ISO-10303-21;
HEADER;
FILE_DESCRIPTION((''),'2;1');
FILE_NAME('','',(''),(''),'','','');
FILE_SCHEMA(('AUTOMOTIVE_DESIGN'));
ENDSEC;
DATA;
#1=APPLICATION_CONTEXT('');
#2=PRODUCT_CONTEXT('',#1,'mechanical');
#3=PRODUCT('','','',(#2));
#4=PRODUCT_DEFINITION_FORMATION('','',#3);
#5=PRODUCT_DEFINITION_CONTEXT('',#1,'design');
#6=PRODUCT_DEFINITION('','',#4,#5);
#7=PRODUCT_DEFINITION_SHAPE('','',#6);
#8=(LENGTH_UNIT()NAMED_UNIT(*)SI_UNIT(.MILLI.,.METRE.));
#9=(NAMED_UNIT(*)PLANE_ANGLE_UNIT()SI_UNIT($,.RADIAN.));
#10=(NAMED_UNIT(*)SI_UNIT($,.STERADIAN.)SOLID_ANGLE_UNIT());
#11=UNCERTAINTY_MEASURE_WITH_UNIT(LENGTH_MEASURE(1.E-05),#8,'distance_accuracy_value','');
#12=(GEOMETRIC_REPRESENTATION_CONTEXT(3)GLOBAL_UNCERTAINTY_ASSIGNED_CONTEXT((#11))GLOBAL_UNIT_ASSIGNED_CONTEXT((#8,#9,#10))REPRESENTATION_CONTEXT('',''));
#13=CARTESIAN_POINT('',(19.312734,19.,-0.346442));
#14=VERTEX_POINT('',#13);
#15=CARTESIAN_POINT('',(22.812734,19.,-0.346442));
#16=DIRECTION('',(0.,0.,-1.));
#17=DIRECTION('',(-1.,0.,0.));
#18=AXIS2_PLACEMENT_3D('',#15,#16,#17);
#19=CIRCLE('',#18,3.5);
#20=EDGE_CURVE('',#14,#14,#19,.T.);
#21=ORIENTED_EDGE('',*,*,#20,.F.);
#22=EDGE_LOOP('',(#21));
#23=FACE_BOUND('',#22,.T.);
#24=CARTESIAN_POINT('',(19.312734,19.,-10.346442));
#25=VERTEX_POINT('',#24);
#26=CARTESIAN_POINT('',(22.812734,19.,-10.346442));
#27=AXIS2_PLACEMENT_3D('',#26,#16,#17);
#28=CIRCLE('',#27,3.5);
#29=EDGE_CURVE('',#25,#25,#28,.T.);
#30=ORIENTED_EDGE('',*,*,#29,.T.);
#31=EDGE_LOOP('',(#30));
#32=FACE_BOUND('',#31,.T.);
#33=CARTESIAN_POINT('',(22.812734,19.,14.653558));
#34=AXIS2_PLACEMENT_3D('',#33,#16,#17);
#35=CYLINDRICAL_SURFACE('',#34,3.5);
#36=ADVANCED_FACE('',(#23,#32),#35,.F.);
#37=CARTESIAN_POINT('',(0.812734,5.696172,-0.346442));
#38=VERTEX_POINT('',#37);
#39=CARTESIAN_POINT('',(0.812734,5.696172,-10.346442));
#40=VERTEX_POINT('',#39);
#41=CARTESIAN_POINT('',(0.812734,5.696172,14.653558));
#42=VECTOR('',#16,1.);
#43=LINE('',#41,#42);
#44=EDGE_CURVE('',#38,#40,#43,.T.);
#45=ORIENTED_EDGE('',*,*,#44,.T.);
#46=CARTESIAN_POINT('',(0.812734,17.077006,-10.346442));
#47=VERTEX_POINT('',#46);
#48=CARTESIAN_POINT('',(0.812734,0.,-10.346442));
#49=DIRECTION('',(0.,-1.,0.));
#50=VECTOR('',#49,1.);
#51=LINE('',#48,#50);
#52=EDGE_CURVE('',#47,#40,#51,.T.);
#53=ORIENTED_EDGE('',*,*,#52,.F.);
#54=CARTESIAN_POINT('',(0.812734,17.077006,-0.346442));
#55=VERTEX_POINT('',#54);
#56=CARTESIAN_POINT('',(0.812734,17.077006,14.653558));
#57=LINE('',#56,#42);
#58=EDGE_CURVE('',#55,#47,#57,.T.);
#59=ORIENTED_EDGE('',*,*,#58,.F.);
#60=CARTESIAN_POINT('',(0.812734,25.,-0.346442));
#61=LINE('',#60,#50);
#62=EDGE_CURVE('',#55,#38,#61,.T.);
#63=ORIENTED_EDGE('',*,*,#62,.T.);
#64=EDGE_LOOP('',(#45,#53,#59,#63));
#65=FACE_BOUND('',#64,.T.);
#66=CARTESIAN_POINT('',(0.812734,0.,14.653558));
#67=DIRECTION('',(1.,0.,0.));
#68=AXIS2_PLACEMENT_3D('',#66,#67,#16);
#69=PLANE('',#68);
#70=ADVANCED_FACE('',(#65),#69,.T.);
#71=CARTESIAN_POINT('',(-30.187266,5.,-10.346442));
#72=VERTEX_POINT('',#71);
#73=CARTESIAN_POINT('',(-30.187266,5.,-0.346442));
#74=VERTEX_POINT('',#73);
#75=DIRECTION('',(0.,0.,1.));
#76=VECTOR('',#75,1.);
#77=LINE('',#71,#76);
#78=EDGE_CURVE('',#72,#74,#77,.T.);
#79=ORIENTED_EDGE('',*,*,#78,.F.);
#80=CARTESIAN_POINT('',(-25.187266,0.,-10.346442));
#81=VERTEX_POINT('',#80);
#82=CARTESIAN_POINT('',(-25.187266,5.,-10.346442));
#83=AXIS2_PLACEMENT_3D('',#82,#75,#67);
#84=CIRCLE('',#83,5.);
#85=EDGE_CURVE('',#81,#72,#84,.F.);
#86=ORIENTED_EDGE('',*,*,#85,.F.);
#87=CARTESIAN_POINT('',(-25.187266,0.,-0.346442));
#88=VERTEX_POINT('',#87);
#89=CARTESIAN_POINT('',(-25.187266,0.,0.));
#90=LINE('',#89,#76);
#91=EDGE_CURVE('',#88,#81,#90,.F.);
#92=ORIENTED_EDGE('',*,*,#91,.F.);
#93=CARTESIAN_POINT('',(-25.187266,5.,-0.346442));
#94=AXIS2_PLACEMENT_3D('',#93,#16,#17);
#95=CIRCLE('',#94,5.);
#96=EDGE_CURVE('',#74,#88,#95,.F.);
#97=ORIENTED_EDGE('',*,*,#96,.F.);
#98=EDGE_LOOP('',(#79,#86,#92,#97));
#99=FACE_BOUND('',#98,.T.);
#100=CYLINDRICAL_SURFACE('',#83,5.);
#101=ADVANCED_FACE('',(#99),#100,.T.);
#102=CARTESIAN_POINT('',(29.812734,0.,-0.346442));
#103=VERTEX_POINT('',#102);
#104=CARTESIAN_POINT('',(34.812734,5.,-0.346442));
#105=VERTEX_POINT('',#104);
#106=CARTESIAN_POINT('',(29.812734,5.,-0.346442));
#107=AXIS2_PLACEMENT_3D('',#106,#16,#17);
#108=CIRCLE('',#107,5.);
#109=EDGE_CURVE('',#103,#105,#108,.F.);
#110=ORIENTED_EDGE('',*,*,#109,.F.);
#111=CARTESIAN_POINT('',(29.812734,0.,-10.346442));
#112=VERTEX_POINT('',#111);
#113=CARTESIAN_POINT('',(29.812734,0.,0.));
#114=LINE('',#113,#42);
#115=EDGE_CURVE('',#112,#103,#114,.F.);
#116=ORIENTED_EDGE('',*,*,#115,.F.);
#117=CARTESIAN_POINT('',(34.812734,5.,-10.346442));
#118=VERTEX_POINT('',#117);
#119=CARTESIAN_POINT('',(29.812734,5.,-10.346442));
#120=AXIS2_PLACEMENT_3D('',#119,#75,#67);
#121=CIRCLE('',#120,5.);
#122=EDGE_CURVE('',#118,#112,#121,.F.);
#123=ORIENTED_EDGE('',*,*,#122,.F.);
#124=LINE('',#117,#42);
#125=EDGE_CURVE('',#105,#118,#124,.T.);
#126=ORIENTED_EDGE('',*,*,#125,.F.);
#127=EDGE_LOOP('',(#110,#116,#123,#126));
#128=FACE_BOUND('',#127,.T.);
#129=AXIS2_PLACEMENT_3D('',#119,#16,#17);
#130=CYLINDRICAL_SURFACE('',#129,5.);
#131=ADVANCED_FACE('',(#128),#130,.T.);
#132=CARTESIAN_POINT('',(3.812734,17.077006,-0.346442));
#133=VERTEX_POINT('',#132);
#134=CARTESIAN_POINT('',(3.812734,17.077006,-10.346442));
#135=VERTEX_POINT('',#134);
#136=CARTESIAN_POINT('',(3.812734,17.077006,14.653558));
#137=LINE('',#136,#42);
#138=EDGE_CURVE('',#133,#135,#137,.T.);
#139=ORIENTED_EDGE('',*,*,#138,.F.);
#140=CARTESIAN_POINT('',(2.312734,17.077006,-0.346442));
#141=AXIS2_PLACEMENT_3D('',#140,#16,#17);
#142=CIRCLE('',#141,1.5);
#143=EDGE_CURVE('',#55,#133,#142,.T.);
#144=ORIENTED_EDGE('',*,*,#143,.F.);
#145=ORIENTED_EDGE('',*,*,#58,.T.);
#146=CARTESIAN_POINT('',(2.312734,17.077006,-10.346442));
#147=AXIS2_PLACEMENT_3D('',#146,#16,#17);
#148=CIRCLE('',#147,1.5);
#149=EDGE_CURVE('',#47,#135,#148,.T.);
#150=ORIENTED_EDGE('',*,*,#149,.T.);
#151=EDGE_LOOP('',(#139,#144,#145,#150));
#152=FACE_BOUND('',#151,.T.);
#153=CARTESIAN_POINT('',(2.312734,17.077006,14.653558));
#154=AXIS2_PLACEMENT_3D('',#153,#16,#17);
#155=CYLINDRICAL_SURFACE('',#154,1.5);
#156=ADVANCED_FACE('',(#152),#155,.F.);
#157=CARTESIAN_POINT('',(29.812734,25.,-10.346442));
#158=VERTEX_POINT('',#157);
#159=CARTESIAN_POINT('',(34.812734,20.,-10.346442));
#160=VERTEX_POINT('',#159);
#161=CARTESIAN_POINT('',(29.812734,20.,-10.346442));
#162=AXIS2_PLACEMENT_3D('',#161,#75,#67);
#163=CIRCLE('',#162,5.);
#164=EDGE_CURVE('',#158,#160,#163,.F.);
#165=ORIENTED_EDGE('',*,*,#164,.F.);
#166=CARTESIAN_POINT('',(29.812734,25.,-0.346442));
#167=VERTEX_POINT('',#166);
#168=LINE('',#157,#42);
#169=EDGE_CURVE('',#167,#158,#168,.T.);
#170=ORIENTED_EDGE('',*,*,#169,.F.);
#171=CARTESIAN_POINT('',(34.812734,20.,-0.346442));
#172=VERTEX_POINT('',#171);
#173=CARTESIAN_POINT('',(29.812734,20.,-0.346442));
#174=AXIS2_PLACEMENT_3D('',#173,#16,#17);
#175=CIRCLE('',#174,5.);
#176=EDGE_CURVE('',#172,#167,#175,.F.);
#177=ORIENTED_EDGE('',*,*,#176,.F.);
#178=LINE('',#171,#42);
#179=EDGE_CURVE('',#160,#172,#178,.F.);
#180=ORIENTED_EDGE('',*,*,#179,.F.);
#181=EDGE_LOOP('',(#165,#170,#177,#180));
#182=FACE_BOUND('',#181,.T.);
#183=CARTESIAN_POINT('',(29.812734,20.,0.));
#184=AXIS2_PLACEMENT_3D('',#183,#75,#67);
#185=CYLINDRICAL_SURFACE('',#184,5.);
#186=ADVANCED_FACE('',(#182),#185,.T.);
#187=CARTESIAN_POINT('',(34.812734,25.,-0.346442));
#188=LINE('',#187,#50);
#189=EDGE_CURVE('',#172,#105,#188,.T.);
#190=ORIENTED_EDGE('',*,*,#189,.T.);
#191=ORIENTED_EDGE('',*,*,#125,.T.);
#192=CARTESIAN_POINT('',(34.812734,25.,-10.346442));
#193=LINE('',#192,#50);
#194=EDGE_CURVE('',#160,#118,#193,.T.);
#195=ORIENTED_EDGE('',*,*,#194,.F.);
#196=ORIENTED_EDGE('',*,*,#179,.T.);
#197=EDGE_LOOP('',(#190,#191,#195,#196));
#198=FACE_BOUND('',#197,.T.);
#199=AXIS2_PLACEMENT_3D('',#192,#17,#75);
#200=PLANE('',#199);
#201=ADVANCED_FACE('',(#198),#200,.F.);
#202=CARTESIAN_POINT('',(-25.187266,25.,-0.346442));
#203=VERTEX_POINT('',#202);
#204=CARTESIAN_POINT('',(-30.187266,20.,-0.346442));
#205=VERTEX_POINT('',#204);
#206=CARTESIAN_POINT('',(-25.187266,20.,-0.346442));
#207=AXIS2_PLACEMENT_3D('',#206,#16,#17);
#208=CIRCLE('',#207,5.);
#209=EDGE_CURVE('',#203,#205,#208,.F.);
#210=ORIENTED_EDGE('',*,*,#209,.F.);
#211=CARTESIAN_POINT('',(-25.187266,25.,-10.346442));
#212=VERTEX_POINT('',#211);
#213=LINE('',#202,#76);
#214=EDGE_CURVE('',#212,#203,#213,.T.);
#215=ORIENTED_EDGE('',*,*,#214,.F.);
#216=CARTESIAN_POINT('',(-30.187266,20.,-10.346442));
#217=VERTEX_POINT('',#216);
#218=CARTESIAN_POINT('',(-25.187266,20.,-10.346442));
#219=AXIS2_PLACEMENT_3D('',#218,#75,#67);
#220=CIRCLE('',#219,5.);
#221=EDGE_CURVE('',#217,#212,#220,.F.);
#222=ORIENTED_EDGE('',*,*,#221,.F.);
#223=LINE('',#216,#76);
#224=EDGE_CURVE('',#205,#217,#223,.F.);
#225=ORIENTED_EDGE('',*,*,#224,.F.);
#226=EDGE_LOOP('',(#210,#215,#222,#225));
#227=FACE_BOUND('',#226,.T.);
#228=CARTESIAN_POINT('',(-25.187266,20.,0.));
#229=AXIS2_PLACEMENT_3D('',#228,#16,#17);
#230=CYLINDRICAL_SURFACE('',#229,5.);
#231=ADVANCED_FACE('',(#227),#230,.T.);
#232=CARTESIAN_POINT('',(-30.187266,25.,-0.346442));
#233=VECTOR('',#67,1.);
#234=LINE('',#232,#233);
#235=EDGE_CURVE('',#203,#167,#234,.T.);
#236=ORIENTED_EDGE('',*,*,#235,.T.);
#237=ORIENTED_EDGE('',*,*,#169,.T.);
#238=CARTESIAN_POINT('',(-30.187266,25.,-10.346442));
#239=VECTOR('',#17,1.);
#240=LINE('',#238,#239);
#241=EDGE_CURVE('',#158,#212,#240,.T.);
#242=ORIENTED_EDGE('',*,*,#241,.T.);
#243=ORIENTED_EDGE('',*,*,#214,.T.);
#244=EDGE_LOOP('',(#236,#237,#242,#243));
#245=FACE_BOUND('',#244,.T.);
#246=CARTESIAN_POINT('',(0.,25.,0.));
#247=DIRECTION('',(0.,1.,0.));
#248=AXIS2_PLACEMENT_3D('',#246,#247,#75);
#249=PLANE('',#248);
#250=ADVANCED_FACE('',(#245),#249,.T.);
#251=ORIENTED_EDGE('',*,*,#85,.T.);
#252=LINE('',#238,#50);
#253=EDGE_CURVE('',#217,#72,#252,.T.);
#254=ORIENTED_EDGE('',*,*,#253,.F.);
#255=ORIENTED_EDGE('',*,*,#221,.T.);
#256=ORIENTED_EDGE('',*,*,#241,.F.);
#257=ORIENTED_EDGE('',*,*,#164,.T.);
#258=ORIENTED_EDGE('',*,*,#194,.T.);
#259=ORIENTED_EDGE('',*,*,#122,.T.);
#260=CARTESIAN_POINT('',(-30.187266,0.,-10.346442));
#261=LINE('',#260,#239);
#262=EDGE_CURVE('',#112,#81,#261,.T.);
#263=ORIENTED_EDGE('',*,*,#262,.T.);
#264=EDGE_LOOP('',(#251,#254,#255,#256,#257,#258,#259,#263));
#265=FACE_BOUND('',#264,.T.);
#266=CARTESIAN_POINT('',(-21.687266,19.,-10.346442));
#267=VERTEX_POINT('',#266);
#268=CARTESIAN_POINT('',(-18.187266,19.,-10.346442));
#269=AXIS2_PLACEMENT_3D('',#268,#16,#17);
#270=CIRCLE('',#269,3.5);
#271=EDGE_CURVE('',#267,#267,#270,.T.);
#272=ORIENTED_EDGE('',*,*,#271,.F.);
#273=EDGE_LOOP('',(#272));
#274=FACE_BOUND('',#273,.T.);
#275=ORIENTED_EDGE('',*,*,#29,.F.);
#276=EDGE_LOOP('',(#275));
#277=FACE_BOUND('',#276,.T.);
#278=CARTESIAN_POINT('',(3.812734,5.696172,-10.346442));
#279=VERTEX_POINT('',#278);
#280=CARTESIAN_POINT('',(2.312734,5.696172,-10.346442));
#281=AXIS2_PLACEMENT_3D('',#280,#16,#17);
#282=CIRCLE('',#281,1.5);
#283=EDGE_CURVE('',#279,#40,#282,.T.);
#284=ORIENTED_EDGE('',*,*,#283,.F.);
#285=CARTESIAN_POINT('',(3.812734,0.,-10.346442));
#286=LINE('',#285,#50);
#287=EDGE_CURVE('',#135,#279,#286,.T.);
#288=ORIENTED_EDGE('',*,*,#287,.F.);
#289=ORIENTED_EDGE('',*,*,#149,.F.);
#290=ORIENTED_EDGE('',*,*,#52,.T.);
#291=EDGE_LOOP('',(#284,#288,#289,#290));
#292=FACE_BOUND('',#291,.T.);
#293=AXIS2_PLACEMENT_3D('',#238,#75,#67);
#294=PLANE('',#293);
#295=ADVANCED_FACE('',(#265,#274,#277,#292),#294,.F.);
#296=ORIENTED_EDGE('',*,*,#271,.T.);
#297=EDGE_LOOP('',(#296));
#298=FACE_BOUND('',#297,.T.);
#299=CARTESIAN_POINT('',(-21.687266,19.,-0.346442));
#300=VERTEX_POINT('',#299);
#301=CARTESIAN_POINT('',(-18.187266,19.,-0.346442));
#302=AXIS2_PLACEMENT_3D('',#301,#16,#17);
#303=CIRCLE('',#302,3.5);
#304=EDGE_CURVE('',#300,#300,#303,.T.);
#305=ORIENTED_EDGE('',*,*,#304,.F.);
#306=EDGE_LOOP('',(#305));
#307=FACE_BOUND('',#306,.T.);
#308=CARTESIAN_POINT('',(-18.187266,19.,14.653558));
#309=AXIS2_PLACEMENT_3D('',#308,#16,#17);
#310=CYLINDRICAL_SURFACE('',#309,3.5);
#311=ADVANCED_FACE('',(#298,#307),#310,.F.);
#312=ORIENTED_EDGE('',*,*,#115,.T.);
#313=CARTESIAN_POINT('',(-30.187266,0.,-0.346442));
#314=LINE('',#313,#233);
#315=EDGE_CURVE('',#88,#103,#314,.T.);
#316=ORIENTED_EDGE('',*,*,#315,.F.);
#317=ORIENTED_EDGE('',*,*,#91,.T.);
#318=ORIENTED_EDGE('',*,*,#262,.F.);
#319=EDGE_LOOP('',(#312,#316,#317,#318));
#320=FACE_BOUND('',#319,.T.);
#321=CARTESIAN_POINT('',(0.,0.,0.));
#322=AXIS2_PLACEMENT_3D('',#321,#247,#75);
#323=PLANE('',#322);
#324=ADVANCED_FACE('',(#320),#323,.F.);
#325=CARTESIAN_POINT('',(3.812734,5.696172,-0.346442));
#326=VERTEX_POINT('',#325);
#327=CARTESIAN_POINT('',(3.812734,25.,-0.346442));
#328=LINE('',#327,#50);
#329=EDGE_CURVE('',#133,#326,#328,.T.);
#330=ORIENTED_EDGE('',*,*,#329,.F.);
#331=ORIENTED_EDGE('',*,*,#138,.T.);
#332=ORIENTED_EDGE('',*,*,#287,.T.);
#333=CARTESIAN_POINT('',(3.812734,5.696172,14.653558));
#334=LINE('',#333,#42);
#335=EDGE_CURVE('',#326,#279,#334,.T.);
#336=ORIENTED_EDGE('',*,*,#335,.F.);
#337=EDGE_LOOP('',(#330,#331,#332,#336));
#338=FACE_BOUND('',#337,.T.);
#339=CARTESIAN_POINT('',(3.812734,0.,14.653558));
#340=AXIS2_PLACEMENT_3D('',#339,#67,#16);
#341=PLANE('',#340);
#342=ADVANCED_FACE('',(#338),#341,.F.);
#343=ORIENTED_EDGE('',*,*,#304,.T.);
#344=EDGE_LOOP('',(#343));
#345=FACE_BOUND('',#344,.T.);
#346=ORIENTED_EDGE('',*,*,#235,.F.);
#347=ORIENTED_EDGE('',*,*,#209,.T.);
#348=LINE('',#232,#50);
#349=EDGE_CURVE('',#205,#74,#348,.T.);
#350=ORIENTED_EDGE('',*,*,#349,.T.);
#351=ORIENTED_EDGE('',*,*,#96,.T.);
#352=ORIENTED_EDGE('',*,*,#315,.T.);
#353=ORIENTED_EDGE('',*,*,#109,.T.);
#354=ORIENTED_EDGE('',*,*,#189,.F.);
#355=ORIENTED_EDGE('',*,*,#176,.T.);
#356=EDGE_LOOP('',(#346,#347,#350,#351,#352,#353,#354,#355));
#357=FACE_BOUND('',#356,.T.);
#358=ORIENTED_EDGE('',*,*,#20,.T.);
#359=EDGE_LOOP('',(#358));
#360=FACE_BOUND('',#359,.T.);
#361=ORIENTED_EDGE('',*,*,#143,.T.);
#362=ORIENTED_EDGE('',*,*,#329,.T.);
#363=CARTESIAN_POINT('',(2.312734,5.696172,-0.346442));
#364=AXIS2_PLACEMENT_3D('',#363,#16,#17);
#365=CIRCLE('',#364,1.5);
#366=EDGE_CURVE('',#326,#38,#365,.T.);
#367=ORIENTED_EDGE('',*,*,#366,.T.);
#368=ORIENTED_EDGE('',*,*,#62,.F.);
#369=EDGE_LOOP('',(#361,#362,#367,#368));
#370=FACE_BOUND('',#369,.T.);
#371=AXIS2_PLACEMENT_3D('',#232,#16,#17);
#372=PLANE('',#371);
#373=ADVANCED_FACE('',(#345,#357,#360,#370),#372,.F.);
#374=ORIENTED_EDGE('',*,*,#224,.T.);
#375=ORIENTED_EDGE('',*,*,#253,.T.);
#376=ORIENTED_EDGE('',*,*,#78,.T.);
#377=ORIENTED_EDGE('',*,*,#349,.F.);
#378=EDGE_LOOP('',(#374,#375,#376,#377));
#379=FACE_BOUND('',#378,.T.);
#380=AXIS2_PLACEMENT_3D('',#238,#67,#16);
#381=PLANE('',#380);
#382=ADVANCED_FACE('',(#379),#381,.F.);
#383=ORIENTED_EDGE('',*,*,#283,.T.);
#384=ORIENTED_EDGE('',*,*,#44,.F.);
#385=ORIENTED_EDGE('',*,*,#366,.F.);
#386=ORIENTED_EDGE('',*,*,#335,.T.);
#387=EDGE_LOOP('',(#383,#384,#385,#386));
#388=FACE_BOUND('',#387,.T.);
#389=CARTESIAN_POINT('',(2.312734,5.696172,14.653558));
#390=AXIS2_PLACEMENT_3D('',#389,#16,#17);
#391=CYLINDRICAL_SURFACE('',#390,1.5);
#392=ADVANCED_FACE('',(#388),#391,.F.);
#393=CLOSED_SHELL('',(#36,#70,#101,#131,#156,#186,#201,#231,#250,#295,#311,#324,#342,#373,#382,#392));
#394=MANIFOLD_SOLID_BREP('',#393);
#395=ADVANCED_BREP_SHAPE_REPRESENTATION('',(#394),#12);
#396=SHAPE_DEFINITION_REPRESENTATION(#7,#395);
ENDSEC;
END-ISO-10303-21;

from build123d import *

# Parameters (mm, degrees)
SKETCH1_W           = 65
SKETCH1_H           = 10
BOSS_EXTRUDE1_DEPTH = 25
SKETCH2_R           = 3.5
CUT_EXTRUDE1_DEPTH  = 25
FILLET1_R           = 5


with BuildPart() as part:
    # Sketch1 → Boss-Extrude1 (new body)
    with BuildSketch(Plane(origin=(0, 0, 0), x_dir=(1, 0, 0), z_dir=(0, 1, 0))):
        with Locations((2.312734082, 5.346441948)):
            Rectangle(SKETCH1_W, SKETCH1_H)
    extrude(amount=BOSS_EXTRUDE1_DEPTH)

    # Sketch2 → Cut-Extrude1 (cut)
    with BuildSketch(Plane(origin=(0, 0, -10.346441948), x_dir=(-1, 0, 0), z_dir=(0, 0, -1))):
        with Locations((18.187265918, 19)):
            Circle(SKETCH2_R)
        with BuildLine():
            Line((-3.812734082, 17.077006126), (-3.812734082, 5.696172333))
            ThreePointArc((-3.812734082, 5.696172333), (-2.312734082, 4.196172333), (-0.812734082, 5.696172333))
            Line((-0.812734082, 5.696172333), (-0.812734082, 17.077006126))
            ThreePointArc((-0.812734082, 17.077006126), (-2.312734082, 18.577006126), (-3.812734082, 17.077006126))
        make_face()
        with Locations((-22.812734082, 19)):
            Circle(SKETCH2_R)
    extrude(amount=-CUT_EXTRUDE1_DEPTH, mode=Mode.SUBTRACT)

    # Fillet1
    fillet1_edges = [part.edges().sort_by_distance(p)[0] for p in [
        (34.812734082, 25, -5.346441948),
        (-30.187265918, 25, -5.346441948),
        (34.812734082, 0, -5.346441948),
        (-30.187265918, 0, -5.346441948),
    ]]
    fillet(fillet1_edges, radius=FILLET1_R)


solid = part.part
